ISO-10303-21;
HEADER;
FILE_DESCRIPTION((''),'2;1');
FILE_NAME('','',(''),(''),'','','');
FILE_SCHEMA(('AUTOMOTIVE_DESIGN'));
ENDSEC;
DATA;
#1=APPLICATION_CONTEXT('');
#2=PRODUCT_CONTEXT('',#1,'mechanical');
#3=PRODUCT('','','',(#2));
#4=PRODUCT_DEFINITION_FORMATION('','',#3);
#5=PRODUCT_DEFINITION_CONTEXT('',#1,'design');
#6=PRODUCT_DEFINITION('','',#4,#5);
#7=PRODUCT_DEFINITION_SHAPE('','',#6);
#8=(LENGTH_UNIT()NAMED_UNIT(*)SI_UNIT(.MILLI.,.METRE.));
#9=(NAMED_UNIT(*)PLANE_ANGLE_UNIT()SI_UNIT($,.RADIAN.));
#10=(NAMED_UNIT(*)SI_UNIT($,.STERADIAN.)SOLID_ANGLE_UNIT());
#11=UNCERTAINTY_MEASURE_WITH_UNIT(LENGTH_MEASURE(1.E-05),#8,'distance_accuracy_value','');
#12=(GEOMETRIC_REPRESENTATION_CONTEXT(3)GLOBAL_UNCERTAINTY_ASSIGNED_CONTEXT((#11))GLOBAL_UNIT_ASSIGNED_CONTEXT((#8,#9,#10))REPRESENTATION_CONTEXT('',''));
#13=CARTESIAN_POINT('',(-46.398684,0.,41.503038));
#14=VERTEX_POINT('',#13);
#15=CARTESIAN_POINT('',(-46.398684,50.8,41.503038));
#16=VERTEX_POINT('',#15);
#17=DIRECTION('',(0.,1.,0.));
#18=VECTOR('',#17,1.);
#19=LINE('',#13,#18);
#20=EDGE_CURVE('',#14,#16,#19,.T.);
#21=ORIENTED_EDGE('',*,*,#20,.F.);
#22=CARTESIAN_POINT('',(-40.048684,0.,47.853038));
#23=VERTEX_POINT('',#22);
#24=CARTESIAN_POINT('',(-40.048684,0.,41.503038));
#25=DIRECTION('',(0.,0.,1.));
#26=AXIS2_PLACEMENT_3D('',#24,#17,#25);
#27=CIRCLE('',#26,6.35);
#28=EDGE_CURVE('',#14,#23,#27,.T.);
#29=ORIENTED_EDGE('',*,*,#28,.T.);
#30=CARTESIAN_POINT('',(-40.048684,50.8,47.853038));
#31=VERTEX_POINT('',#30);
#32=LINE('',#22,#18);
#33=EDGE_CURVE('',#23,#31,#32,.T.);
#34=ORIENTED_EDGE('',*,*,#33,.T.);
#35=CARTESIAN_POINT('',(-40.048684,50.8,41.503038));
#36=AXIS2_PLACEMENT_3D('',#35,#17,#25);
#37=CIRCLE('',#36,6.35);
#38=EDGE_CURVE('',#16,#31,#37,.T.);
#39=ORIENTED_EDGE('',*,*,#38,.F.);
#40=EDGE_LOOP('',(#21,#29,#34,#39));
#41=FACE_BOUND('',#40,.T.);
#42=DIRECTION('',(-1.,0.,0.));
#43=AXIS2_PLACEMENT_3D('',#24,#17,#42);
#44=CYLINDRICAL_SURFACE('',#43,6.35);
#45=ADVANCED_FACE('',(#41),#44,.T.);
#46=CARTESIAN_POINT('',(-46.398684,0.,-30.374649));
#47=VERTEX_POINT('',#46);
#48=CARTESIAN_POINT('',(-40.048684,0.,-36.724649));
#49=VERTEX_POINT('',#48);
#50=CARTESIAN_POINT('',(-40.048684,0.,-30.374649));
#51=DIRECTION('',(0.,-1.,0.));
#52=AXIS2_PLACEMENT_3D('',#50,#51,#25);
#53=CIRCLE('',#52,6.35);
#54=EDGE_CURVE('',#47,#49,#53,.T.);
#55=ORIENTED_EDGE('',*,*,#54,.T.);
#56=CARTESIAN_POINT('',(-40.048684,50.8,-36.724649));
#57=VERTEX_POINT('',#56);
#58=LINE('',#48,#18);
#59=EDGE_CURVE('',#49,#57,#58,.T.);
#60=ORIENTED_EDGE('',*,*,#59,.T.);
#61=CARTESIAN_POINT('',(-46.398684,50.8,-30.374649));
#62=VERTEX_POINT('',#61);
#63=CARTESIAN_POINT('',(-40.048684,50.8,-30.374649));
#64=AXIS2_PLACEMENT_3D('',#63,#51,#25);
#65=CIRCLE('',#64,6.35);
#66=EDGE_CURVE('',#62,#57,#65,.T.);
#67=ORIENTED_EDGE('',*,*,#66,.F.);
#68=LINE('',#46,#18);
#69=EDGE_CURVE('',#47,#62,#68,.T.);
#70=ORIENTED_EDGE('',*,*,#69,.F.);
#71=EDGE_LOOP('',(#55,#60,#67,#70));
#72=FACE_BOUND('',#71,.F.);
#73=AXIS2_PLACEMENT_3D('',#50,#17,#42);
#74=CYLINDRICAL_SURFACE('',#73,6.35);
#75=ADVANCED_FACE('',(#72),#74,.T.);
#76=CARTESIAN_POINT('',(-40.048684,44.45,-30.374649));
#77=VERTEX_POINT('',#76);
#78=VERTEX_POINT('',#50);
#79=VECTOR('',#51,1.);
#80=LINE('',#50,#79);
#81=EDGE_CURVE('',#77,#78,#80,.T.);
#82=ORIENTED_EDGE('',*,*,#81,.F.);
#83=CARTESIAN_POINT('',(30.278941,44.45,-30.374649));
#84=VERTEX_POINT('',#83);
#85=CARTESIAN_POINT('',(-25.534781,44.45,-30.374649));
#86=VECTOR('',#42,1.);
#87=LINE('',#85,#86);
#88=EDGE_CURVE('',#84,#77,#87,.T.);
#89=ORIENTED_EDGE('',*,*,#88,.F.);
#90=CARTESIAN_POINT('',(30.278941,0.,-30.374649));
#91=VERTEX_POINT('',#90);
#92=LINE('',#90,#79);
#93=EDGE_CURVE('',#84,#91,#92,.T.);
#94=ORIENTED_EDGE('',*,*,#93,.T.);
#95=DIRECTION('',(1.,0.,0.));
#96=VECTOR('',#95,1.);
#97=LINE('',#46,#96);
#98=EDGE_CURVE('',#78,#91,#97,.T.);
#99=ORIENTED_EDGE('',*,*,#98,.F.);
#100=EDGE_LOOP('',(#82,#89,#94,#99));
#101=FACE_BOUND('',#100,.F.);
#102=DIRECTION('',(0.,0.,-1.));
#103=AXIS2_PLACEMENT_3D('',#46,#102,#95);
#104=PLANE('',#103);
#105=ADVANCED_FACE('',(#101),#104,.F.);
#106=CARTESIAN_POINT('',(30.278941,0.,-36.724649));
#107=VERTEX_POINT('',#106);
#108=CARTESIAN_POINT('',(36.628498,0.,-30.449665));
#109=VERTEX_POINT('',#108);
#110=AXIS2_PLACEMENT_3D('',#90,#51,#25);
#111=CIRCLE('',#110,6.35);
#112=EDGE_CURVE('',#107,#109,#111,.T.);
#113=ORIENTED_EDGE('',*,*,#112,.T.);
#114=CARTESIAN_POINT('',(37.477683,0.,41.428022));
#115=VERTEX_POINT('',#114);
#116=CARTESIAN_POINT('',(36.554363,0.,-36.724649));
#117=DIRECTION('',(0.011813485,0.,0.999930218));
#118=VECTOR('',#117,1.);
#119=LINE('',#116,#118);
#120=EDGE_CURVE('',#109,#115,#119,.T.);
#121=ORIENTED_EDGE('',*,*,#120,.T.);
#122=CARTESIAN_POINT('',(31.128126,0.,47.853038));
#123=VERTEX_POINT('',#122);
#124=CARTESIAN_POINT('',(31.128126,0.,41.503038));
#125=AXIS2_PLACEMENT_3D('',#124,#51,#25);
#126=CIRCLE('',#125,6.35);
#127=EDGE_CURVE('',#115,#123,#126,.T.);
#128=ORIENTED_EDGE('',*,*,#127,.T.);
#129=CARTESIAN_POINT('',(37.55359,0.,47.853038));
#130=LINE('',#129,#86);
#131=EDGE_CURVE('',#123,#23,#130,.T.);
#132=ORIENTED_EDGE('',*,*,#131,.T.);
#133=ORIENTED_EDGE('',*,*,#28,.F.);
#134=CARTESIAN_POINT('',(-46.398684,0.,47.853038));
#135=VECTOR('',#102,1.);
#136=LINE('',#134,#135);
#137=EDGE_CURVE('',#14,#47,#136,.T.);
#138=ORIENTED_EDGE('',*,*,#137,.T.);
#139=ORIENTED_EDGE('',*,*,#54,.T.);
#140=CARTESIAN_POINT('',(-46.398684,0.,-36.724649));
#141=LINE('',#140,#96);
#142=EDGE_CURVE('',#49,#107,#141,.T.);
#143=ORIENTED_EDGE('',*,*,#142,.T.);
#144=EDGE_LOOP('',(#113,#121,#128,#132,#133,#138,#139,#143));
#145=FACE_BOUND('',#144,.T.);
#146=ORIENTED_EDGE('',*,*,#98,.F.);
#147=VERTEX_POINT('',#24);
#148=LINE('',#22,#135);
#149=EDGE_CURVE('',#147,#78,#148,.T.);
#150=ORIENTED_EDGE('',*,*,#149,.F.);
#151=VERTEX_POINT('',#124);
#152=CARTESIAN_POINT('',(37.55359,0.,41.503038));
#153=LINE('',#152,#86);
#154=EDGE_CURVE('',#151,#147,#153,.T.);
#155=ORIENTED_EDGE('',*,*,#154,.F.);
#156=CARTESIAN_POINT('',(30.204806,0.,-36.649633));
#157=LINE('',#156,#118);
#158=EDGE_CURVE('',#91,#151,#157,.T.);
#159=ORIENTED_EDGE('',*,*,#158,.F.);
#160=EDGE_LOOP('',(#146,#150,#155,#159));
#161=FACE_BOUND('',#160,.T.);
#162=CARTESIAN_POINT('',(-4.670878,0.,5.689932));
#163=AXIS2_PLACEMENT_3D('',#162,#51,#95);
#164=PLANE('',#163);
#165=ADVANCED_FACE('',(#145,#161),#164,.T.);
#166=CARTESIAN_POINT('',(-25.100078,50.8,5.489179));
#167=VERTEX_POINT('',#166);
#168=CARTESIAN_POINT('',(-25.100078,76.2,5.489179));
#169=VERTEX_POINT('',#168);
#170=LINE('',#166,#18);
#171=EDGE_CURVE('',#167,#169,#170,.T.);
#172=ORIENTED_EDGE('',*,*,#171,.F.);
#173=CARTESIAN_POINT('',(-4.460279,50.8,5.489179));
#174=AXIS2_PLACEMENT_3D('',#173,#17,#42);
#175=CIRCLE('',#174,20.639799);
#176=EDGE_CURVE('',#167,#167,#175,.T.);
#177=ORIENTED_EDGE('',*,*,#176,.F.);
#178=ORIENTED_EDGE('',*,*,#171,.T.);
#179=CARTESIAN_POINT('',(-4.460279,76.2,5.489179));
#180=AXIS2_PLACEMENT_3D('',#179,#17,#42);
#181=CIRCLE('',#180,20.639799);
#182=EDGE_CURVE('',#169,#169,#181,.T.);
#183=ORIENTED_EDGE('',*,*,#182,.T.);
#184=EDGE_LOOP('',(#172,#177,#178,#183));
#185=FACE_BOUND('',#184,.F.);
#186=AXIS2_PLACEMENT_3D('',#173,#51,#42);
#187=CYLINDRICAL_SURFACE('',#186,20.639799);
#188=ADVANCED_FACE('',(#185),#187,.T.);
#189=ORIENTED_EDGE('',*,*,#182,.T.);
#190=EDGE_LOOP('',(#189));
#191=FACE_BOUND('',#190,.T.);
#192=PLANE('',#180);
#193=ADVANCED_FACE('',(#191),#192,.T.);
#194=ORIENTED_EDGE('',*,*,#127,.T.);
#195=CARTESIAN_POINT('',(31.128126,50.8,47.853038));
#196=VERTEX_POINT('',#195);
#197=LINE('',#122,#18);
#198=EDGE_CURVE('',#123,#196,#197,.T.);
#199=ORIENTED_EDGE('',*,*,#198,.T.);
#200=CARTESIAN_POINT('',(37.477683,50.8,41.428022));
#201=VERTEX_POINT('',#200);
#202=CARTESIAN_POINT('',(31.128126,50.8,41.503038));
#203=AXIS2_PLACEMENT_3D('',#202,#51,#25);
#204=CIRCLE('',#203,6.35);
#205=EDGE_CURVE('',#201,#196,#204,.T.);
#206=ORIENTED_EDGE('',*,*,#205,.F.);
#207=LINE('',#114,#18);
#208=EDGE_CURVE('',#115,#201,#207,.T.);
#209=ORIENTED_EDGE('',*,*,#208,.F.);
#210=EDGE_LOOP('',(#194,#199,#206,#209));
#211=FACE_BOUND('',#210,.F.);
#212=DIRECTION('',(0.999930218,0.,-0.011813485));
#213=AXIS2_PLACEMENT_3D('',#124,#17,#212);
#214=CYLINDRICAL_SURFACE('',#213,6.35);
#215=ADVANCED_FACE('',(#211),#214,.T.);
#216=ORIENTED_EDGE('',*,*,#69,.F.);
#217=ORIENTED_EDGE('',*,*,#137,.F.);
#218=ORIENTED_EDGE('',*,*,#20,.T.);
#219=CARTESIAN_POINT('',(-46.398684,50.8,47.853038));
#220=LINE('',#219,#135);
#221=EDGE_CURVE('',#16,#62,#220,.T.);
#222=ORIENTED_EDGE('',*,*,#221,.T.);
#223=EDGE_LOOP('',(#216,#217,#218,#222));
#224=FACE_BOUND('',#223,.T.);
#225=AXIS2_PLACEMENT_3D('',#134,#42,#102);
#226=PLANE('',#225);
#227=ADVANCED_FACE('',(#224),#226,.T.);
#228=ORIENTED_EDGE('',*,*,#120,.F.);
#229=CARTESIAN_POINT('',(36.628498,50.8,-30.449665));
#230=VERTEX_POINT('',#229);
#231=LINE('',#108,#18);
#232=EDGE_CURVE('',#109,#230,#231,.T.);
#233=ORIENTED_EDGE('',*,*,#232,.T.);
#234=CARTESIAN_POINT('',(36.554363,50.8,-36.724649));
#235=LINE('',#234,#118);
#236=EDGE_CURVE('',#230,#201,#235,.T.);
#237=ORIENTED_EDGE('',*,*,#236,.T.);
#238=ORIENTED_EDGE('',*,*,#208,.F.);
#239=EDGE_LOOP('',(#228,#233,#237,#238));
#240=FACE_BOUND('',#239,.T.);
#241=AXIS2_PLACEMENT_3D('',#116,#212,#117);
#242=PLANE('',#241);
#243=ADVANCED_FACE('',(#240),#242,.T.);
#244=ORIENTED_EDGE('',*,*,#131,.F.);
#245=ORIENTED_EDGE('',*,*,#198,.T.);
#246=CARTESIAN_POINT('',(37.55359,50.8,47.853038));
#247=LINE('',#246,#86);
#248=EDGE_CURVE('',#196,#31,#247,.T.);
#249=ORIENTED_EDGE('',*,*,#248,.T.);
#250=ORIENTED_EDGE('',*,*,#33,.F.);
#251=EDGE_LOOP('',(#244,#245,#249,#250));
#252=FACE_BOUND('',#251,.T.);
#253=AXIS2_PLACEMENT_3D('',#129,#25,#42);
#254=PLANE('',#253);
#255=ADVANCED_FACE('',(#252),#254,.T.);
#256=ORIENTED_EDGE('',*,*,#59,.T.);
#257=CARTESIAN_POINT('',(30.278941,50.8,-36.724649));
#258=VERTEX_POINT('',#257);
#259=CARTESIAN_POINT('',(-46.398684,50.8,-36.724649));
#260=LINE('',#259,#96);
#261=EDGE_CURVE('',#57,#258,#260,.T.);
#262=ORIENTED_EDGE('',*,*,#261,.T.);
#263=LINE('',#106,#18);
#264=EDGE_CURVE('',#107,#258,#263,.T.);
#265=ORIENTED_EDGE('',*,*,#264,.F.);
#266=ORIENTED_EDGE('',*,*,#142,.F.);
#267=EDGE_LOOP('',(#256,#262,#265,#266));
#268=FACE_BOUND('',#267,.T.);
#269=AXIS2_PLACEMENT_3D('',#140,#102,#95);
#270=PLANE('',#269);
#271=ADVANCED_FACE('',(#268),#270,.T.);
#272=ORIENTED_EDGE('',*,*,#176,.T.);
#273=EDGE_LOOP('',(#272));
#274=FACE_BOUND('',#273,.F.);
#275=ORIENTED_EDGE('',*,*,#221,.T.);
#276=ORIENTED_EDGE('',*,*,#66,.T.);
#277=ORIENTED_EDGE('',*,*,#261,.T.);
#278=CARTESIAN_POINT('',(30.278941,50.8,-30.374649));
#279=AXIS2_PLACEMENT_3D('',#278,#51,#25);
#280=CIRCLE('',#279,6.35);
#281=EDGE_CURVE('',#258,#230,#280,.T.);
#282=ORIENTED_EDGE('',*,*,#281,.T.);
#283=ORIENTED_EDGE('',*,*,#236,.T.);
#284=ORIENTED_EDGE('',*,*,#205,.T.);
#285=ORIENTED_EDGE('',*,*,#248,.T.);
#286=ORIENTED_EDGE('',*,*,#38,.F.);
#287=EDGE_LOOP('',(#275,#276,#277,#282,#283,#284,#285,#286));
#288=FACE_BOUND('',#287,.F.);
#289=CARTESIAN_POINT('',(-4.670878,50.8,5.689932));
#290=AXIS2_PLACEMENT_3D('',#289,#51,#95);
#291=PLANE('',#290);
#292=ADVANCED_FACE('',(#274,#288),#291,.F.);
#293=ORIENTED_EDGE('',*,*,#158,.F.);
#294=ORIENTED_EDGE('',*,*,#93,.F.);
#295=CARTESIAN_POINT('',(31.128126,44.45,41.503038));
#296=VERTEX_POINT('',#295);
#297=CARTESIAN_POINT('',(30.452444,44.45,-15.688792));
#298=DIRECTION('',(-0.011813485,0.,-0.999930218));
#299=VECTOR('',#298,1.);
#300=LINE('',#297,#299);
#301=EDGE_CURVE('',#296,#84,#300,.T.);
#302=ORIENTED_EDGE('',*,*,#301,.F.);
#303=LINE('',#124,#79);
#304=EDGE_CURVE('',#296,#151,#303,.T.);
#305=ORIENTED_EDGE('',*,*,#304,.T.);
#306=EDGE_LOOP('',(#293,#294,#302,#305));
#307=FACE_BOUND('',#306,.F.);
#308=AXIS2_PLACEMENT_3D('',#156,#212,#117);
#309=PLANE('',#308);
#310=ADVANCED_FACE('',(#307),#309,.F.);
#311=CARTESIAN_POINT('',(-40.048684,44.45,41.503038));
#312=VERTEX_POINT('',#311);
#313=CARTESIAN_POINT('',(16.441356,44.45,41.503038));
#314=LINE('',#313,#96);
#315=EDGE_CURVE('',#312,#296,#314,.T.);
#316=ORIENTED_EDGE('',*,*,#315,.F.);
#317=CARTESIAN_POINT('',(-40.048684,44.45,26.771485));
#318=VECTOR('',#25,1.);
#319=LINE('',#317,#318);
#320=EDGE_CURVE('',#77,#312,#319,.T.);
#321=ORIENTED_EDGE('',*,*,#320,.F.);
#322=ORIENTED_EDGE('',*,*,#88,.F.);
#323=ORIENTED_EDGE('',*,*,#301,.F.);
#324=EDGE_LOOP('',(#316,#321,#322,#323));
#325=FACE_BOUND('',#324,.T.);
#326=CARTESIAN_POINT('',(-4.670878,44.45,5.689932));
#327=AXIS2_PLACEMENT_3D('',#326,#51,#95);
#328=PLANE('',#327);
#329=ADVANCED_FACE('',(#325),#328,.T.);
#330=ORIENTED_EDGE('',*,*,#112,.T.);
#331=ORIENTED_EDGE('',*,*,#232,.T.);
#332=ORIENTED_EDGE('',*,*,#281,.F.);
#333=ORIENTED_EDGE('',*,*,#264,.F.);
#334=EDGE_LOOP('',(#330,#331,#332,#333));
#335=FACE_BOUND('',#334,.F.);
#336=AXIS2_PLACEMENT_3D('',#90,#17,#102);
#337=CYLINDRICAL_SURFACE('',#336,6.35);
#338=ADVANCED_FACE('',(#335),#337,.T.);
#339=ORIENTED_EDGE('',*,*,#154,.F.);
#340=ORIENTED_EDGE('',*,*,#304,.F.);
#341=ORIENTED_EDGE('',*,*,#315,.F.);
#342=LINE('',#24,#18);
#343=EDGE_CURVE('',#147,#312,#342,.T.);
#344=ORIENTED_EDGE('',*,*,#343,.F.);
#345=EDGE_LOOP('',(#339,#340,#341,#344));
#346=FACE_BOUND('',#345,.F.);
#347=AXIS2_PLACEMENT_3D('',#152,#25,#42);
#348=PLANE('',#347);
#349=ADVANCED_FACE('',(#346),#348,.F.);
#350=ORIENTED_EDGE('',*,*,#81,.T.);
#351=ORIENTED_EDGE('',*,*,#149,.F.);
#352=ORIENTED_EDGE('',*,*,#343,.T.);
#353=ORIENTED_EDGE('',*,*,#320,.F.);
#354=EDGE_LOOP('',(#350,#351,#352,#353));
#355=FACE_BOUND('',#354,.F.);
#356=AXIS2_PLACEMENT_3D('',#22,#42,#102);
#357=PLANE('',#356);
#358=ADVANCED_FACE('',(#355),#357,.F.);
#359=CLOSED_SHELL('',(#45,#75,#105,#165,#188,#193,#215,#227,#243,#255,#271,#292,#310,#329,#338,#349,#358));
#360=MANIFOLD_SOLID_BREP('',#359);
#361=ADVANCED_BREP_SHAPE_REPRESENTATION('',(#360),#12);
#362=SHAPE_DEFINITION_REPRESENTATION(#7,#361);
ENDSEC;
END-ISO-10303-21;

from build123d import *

# Parameters (mm, degrees)
F1_DEPTH = 50.8
F2_T     = -6.35
F3_R     = 6.35
F4_R     = 20.639799
F5_DEPTH = 25.4


with BuildPart() as f1:
    # F0 (on Front) → F1 (new body)
    with BuildSketch(Plane.XZ):
        Polygon((-46.398684, 47.853038), (-46.398684, -36.724649), (36.554363, -36.724649), (37.55359, 47.853038), align=None)
    extrude(amount=-F1_DEPTH)

    # F2
    f2_openings = [f1.faces().sort_by_distance(p)[0] for p in [
        (-4.671856, 0, 5.648586),
    ]]
    offset(amount=F2_T, openings=f2_openings)

    # F3
    f3_edges = [f1.edges().sort_by_distance(p)[0] for p in [
        (37.55359, 25.4, 47.853038),
        (-46.398684, 25.4, 47.853038),
        (36.554363, 25.4, -36.724649),
        (-46.398684, 25.4, -36.724649),
    ]]
    fillet(f3_edges, radius=F3_R)

    # F4 (on face) → F5 (join)
    with BuildSketch(Plane(origin=(0, 50.8, 0), x_dir=(-1, 0, 0), z_dir=(0, 1, 0))):
        with Locations((4.460279, 5.489179)):
            Circle(F4_R)
    extrude(amount=F5_DEPTH)


solid = f1.part
